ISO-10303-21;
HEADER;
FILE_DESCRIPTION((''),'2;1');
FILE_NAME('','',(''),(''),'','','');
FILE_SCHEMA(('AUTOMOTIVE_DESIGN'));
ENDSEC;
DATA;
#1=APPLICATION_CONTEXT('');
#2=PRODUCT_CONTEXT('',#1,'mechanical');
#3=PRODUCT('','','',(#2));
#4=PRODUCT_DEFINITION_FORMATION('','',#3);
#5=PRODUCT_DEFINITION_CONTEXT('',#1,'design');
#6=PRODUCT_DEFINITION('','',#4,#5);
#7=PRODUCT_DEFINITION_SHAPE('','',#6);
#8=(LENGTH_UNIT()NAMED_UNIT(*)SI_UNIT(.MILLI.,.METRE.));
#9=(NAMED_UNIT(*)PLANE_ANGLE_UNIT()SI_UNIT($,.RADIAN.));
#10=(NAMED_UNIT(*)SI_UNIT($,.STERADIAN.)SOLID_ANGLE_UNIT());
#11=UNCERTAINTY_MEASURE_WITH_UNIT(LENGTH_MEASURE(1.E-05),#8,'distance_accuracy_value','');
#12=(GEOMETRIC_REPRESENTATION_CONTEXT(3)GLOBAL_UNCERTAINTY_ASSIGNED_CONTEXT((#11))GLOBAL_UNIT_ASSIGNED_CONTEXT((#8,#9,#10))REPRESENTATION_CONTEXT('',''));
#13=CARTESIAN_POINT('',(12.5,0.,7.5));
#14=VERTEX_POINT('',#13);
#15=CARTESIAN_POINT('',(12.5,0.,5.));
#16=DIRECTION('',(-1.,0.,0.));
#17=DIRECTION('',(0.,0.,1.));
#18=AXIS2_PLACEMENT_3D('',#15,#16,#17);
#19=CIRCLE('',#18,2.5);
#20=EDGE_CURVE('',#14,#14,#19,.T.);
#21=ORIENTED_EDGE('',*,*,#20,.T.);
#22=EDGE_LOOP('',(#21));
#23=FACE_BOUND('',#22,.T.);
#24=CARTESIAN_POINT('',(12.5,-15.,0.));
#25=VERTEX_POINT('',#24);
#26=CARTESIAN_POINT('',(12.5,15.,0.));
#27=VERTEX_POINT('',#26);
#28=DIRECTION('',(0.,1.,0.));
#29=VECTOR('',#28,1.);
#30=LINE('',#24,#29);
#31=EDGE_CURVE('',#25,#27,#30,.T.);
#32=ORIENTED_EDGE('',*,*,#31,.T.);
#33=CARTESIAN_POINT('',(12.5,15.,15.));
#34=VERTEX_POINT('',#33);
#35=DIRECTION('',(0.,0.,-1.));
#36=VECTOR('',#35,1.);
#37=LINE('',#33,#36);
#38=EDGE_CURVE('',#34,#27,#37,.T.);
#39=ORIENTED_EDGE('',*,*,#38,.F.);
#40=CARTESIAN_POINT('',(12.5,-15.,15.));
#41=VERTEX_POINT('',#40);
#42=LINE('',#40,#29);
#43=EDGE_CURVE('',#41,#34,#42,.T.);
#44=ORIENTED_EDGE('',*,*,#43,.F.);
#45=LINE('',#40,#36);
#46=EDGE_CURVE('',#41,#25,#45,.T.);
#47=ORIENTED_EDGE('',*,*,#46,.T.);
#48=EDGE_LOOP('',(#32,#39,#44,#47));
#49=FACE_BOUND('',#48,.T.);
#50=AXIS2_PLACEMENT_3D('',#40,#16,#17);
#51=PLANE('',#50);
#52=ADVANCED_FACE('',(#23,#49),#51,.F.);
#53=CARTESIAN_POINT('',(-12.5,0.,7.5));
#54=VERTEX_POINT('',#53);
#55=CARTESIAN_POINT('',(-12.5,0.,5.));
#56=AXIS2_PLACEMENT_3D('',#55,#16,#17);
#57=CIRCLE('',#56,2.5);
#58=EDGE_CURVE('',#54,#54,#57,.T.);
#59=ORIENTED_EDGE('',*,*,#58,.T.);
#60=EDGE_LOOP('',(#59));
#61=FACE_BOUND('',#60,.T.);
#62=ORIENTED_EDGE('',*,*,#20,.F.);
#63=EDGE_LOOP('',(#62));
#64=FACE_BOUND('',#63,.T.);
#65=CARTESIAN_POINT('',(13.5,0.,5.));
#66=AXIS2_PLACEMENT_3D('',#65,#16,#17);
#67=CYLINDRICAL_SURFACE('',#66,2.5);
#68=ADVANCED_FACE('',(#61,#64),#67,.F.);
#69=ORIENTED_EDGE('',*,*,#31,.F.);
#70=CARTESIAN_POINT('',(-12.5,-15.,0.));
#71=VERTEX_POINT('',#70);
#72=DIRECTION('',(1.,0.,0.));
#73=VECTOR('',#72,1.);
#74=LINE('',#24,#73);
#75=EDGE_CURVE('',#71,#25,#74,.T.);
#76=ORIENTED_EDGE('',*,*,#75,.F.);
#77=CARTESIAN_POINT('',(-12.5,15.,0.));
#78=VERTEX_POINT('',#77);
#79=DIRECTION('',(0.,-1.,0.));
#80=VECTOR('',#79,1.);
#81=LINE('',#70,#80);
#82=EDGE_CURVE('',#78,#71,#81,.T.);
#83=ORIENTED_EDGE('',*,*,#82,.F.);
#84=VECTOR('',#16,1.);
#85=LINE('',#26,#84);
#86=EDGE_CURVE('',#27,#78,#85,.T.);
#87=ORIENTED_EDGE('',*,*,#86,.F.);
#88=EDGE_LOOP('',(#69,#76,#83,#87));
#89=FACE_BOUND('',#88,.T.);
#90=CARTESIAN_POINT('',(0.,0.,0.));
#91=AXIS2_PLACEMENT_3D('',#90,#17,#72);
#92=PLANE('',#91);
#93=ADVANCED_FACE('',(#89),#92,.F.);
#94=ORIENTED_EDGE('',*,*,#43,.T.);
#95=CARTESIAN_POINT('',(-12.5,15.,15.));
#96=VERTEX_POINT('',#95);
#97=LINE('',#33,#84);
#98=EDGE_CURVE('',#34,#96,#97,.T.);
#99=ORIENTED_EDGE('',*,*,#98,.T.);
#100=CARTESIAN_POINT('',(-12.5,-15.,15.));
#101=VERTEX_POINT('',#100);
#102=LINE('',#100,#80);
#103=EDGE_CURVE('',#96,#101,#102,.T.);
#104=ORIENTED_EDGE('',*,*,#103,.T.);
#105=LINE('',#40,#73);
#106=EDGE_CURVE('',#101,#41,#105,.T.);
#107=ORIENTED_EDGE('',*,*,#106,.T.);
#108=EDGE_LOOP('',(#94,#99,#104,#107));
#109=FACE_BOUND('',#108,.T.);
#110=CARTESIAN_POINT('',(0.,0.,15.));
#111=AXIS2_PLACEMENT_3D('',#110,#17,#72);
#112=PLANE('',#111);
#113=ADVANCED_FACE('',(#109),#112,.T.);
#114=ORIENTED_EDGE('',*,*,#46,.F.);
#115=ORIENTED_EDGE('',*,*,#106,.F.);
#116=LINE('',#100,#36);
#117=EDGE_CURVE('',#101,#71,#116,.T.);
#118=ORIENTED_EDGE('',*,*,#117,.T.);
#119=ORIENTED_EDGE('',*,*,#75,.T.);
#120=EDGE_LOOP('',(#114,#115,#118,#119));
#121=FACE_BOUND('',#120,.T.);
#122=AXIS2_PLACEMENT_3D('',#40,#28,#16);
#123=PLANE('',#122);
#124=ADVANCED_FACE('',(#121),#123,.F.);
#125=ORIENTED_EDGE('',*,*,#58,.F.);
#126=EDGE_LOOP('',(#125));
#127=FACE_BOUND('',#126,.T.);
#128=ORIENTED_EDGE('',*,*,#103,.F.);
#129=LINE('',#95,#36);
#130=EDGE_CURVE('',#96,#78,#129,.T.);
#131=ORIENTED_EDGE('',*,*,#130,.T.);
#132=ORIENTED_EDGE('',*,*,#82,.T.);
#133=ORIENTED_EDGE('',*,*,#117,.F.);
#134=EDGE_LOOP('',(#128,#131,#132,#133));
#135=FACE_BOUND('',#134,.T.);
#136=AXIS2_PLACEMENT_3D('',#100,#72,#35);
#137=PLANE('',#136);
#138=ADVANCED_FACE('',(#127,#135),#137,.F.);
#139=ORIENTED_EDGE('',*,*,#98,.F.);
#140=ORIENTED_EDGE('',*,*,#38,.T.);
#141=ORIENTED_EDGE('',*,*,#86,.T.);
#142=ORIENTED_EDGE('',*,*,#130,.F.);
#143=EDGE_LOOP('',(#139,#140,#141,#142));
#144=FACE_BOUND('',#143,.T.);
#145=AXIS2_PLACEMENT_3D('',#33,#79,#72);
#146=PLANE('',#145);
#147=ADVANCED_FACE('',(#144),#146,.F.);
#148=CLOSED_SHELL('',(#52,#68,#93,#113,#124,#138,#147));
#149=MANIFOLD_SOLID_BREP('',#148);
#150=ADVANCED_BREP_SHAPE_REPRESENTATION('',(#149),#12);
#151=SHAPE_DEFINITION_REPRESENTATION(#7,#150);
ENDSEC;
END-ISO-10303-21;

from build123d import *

# Parameters (mm, degrees)
SKETCH1_W           = 25
SKETCH1_H           = 30
BOSS_EXTRUDE1_DEPTH = 15
SKETCH2_R           = 2.5
CUT_EXTRUDE1_DEPTH  = 26


with BuildPart() as part:
    # Sketch1 → Boss-Extrude1 (new body)
    with BuildSketch(Plane.XY):
        Rectangle(SKETCH1_W, SKETCH1_H)
    extrude(amount=BOSS_EXTRUDE1_DEPTH)

    # Sketch2 → Cut-Extrude1 (cut)
    with BuildSketch(Plane.ZY.offset(12.5)):
        with Locations((5, 0)):
            Circle(SKETCH2_R)
    extrude(amount=-CUT_EXTRUDE1_DEPTH, mode=Mode.SUBTRACT)


solid = part.part
